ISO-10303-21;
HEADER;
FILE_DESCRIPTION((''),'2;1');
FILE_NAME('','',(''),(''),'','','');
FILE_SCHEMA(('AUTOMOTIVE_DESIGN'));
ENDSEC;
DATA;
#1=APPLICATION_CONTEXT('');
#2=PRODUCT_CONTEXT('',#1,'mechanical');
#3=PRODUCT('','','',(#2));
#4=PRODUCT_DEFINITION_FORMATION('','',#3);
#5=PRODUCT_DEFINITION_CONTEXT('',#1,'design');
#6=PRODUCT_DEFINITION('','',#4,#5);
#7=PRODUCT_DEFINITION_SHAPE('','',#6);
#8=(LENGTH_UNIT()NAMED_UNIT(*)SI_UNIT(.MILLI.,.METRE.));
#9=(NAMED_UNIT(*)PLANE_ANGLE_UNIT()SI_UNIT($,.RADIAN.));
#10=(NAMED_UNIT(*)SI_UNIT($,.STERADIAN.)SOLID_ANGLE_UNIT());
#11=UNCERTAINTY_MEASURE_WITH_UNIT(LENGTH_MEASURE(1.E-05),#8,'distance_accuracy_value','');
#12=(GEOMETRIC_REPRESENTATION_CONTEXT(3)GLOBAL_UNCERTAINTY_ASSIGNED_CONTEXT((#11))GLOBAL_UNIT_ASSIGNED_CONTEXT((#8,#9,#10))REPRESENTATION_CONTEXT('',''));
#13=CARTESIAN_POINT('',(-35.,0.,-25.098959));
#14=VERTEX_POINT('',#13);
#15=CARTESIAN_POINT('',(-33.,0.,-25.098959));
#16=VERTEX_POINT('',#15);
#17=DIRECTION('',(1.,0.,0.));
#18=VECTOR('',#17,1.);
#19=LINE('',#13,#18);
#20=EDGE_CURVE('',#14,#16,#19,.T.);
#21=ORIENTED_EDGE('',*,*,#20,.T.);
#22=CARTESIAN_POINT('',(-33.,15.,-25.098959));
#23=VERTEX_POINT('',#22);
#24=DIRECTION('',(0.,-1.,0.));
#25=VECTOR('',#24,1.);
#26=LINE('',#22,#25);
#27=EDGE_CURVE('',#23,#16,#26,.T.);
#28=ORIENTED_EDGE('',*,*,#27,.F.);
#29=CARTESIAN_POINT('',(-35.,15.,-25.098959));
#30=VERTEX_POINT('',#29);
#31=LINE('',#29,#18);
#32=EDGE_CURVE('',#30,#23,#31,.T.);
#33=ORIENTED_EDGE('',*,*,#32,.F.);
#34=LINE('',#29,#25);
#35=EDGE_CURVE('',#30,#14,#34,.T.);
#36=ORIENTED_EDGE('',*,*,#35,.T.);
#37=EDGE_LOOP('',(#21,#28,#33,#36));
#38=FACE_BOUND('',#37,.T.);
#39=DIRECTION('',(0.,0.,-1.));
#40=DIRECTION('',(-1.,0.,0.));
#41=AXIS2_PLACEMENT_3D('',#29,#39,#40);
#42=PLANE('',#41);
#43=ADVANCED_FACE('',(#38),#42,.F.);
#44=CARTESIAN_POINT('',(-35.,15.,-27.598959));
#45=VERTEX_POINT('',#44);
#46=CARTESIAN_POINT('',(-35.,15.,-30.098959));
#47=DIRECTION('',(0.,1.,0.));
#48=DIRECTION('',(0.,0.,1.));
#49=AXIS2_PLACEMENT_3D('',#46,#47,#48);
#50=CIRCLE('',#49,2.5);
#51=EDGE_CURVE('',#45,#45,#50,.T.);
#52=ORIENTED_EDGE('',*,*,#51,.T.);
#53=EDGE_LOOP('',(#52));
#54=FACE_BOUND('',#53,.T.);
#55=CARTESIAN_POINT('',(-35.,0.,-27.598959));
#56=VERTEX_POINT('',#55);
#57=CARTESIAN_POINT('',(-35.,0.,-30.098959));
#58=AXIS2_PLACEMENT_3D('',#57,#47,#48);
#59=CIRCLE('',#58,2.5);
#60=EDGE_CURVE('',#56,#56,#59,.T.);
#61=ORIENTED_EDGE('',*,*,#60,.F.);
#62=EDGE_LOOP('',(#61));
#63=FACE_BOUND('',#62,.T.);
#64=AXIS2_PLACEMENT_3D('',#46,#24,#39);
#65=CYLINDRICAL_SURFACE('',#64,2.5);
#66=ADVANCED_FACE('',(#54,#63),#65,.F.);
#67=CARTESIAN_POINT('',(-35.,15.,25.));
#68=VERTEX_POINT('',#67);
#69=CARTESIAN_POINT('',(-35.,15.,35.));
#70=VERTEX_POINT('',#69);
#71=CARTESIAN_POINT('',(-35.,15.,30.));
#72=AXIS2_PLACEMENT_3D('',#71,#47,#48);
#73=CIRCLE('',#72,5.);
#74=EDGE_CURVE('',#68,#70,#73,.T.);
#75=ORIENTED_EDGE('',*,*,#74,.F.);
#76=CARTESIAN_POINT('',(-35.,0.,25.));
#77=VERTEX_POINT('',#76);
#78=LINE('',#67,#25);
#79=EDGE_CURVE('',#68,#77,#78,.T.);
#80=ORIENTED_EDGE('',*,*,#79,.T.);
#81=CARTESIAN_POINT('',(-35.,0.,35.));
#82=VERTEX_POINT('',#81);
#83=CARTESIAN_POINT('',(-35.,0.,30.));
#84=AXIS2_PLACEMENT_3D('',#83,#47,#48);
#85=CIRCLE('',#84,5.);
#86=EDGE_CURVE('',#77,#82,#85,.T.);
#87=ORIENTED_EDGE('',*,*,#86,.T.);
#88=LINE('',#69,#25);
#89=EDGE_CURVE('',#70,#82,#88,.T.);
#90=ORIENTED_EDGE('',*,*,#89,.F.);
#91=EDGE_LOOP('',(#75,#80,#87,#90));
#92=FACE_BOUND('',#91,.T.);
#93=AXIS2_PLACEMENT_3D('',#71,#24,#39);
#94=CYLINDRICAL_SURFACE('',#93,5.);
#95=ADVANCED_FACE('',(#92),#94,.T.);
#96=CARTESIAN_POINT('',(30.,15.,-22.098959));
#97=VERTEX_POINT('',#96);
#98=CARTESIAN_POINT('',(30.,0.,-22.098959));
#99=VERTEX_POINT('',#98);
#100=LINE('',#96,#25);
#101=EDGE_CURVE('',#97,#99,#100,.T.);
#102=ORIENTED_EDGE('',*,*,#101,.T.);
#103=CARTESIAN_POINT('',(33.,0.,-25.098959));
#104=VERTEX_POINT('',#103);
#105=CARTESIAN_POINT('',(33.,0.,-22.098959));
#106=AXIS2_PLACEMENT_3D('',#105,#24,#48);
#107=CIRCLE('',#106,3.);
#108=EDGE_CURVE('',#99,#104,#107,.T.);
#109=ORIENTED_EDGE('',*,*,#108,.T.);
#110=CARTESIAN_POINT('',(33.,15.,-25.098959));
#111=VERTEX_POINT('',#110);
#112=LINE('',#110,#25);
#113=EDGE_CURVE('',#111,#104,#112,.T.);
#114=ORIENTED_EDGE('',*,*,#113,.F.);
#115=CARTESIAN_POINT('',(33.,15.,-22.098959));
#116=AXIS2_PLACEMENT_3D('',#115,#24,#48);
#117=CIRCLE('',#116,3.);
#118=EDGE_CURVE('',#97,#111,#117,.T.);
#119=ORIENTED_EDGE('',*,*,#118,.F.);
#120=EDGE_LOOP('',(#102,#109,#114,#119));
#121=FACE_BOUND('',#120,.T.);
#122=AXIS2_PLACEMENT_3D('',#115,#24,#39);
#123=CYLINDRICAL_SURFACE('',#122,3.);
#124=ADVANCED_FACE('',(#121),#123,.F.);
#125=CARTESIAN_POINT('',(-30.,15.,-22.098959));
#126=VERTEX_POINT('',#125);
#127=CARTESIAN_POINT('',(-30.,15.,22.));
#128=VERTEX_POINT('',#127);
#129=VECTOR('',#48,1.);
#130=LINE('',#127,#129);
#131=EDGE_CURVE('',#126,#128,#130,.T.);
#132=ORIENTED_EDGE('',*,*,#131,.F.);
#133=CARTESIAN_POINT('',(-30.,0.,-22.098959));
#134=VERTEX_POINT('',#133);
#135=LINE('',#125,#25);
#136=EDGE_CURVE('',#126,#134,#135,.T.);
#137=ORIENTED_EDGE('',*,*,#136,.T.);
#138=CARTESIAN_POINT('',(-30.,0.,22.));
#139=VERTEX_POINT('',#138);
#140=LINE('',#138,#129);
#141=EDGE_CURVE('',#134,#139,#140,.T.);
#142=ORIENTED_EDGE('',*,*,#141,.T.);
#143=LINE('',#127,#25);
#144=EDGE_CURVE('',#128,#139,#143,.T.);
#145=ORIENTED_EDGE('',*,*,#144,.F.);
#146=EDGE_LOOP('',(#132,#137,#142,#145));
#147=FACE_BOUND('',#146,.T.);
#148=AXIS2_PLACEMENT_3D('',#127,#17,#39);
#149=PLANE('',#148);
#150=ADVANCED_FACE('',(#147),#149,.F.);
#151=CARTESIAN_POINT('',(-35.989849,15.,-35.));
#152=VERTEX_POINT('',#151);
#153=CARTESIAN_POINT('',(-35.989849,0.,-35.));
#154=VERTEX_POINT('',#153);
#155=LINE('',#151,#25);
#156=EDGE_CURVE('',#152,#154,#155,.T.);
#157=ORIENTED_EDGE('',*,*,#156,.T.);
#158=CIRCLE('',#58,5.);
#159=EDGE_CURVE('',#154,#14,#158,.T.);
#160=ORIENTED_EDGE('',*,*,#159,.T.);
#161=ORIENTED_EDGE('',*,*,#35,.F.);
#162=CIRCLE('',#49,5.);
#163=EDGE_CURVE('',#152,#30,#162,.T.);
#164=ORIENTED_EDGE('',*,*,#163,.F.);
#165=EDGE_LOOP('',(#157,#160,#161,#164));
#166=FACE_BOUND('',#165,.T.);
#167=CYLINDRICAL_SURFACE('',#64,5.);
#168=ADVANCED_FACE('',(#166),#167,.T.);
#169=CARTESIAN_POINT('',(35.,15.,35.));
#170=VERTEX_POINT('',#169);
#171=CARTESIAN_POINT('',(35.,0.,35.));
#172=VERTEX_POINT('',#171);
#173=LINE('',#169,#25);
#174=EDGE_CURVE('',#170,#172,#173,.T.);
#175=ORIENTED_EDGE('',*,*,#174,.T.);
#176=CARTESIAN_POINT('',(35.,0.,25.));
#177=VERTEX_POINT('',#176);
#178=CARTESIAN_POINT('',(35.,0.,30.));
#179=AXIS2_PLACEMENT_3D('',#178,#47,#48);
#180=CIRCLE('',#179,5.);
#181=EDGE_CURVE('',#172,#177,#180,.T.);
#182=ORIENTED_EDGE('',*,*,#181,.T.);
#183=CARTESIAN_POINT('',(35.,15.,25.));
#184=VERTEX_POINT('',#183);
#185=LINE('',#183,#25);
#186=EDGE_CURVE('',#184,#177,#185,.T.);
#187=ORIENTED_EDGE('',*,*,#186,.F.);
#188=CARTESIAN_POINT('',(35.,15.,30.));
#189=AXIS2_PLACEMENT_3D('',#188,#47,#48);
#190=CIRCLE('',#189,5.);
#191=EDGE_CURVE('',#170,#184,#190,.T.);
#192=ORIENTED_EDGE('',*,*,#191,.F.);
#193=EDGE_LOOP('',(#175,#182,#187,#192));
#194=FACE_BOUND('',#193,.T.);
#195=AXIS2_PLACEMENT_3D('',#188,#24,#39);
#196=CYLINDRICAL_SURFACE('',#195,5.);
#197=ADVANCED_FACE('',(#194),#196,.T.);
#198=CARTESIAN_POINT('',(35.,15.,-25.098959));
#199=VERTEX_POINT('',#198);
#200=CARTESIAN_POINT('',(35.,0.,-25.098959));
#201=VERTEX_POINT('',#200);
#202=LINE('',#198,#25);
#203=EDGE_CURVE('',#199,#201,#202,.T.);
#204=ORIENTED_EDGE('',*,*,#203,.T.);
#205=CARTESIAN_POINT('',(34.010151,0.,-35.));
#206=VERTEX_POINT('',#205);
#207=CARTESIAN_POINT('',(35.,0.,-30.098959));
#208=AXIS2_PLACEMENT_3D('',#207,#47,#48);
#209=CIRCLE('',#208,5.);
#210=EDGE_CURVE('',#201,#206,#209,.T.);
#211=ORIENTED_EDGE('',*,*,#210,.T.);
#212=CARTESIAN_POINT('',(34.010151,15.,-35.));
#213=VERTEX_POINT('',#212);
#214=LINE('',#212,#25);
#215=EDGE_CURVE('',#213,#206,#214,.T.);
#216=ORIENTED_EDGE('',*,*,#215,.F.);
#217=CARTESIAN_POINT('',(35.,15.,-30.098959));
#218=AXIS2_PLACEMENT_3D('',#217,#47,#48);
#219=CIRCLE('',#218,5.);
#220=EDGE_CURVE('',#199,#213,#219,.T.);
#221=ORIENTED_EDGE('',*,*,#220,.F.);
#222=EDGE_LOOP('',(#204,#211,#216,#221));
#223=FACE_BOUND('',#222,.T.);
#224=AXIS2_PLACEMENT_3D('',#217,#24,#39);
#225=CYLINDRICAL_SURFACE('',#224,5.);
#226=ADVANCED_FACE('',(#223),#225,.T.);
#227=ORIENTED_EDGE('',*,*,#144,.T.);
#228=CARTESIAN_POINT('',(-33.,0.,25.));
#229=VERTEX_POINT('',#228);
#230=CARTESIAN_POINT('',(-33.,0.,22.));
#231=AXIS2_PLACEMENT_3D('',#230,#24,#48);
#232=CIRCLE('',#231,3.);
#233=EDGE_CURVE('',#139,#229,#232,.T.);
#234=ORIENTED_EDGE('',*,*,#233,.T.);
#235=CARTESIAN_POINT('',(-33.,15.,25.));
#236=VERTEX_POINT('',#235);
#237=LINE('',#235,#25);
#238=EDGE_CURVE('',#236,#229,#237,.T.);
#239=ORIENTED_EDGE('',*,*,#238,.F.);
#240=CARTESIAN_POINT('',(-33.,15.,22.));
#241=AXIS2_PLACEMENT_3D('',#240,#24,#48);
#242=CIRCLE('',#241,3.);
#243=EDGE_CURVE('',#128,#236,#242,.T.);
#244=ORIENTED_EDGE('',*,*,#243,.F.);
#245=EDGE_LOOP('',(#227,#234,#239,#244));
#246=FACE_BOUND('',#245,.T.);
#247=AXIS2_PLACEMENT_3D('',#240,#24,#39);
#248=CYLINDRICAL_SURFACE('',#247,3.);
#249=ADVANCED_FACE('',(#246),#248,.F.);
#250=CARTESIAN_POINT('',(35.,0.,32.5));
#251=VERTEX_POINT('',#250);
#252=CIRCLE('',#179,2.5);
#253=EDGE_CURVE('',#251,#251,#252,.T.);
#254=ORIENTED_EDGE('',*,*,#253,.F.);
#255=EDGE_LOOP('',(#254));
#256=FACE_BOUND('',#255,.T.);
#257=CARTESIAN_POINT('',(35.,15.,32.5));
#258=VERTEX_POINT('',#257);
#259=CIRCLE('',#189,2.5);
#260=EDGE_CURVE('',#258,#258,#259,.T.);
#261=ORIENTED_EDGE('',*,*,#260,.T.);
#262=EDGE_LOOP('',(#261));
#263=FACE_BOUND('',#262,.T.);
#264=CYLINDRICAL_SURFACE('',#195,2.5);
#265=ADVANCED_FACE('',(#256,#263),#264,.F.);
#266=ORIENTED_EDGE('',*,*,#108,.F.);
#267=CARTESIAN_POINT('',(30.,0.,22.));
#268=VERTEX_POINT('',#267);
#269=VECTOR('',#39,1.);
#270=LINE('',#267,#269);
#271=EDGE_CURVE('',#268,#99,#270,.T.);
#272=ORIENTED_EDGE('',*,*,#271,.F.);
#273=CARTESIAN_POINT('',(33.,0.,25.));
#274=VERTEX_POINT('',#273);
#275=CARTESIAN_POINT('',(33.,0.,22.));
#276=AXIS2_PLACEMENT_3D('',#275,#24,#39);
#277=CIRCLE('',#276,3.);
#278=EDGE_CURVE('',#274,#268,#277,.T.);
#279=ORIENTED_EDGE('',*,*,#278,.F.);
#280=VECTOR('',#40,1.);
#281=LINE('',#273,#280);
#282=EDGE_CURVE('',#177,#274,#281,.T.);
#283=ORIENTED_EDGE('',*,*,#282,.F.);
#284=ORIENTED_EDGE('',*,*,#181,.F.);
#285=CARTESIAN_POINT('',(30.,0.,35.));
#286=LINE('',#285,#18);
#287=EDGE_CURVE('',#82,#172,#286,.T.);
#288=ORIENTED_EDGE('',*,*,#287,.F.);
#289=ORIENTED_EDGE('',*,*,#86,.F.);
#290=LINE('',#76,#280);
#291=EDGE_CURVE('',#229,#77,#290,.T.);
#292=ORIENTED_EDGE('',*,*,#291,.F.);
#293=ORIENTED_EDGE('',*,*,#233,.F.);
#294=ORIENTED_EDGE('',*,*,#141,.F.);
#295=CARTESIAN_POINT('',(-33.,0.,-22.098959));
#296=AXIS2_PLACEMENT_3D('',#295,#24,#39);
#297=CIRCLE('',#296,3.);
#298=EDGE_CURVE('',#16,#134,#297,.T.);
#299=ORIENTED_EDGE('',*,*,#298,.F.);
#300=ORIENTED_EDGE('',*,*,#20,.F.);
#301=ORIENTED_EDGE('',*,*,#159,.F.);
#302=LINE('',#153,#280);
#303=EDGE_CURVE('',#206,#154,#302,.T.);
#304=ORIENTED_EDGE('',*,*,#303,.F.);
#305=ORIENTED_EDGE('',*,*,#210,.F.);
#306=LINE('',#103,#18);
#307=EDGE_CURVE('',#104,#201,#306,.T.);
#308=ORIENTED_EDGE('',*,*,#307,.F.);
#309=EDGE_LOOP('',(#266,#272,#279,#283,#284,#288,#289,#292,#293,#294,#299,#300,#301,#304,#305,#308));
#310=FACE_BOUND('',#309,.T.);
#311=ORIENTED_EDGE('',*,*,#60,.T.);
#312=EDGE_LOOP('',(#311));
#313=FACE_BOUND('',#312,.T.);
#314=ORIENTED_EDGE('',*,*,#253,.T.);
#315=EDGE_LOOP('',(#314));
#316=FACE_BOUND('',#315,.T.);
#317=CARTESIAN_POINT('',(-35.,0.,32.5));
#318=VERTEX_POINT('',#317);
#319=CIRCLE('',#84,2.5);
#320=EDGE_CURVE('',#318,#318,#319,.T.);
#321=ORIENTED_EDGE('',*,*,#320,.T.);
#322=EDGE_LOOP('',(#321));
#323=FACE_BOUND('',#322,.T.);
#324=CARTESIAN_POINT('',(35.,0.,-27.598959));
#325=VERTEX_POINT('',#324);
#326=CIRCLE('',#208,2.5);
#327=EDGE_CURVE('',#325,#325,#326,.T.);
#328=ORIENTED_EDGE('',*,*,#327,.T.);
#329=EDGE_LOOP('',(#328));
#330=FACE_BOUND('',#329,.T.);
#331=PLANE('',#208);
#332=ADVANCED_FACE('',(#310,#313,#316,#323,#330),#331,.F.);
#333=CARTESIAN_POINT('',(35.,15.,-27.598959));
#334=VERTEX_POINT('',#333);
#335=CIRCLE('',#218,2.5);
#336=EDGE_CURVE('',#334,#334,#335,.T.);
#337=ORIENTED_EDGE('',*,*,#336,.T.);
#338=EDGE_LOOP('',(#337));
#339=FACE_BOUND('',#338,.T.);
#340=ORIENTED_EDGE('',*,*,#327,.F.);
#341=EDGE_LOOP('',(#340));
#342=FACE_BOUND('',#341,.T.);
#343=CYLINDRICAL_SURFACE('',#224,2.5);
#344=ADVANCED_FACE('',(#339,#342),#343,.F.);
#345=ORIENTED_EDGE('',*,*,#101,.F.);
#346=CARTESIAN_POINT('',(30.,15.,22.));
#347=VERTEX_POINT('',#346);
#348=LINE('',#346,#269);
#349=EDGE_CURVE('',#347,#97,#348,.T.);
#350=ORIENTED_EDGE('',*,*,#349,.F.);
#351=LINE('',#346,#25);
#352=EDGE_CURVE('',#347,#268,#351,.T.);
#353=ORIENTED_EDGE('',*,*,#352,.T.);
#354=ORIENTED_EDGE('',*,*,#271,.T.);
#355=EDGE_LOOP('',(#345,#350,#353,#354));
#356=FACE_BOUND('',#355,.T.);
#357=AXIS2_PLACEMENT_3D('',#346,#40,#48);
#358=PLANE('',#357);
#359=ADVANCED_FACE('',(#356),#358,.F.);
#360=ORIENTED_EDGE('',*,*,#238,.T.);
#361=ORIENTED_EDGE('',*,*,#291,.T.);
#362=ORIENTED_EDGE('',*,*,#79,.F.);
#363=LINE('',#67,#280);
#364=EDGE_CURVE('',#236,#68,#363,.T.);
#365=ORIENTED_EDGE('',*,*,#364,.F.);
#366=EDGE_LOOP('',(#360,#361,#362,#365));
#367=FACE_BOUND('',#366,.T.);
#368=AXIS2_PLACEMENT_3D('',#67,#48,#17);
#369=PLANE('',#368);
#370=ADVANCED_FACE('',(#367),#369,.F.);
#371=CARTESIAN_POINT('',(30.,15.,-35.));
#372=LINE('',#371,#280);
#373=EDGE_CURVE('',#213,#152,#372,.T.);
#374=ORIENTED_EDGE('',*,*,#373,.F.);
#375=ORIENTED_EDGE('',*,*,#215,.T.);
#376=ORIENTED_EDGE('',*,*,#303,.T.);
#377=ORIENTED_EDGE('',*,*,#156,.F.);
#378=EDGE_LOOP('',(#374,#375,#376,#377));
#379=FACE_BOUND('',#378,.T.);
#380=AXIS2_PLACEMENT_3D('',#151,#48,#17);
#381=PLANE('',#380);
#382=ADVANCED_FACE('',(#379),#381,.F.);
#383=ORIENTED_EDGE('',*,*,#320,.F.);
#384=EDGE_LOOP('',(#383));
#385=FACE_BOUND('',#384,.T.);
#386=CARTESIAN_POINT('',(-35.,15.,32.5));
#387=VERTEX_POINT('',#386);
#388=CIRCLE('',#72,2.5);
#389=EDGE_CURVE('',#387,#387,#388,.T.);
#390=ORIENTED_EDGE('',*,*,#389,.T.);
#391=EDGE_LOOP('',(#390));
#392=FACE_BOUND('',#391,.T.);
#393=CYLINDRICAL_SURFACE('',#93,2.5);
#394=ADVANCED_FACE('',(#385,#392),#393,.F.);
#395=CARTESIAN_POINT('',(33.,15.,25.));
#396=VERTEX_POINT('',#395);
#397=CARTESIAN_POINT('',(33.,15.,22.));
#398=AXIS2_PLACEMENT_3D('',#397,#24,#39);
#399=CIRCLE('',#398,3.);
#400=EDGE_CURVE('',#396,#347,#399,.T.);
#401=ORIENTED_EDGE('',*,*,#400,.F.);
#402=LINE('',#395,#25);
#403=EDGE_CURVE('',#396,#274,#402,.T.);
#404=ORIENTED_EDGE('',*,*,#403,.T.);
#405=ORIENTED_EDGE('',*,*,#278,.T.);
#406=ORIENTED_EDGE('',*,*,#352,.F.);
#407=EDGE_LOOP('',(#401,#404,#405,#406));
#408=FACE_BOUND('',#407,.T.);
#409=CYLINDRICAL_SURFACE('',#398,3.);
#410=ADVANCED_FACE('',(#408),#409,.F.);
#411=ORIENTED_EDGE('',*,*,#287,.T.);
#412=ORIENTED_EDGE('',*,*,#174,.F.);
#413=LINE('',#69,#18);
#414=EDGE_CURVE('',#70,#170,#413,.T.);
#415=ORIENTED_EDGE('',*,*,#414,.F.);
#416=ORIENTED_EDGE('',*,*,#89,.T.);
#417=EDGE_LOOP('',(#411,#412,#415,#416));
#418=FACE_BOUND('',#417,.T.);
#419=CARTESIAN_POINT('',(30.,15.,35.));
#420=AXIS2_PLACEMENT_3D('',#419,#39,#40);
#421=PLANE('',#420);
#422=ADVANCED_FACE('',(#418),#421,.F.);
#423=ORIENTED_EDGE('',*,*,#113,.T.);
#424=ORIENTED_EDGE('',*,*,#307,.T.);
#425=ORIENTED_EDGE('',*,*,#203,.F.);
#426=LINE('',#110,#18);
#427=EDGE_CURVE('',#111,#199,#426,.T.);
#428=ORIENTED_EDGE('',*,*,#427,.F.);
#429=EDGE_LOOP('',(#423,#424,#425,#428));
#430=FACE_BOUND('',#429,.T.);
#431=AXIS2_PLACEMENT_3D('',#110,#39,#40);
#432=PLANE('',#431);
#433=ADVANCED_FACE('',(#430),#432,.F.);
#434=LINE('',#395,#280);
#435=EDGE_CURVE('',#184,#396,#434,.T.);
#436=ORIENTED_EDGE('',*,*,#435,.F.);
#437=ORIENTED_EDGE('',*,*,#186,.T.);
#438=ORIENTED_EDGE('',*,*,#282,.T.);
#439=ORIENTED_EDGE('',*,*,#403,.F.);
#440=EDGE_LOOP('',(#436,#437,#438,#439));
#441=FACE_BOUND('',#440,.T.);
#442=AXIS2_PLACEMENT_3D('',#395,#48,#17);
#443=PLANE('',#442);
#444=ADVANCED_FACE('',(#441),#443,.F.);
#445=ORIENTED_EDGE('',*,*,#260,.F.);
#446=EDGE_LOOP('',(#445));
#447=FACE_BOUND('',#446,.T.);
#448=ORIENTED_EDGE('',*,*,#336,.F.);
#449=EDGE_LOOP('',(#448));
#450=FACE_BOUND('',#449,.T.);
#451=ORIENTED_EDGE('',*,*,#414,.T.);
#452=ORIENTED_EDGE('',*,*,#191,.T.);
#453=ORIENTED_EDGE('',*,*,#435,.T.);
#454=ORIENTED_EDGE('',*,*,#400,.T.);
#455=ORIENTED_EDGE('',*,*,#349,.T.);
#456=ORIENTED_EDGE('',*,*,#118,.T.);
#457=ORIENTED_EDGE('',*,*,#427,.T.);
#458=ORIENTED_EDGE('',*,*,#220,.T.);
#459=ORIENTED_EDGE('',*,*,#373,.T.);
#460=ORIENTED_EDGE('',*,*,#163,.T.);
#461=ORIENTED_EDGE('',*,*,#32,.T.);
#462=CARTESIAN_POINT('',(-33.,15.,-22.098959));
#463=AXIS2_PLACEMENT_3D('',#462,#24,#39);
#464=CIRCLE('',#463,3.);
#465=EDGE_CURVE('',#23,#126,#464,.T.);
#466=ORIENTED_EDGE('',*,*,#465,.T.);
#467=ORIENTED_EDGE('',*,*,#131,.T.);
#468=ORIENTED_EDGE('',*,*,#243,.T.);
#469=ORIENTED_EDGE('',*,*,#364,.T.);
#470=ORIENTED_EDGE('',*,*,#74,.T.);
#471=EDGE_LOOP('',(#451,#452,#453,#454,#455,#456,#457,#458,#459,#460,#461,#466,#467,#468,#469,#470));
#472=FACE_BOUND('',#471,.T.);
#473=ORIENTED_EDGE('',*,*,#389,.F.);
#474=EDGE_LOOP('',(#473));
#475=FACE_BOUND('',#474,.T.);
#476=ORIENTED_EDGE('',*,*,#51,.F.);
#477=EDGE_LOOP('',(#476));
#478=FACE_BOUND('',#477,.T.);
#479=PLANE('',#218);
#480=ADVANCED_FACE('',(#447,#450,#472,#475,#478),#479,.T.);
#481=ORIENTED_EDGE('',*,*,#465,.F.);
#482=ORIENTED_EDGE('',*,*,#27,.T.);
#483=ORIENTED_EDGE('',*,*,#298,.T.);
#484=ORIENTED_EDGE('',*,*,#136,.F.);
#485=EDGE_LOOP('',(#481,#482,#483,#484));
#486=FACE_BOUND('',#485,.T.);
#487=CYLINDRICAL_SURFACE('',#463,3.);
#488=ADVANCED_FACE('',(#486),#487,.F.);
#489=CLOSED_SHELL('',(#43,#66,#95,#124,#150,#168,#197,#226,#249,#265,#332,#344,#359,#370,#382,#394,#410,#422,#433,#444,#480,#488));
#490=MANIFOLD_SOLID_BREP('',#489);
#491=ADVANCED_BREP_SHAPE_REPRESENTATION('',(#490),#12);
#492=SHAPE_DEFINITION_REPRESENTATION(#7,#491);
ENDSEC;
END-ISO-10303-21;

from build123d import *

# Parameters (mm, degrees)
SKETCH1_R           = 2.5
BOSS_EXTRUDE1_DEPTH = 15


with BuildPart() as part:
    # Sketch1 → Boss-Extrude1 (new body)
    with BuildSketch(Plane(origin=(0, 0, 0), x_dir=(1, 0, 0), z_dir=(0, 1, 0))):
        with BuildLine():
            Line((-30, -35), (30, -35))
            Line((30, -35), (35, -35))
            ThreePointArc((35, -35), (40, -30), (35, -25))
            Line((35, -25), (33, -25))
            ThreePointArc((33, -25), (30.878679656, -24.121320344), (30, -22))
            Line((30, -22), (30, 22.098959323))
            ThreePointArc((30, 22.098959323), (30.878679656, 24.220279667), (33, 25.098959323))
            Line((33, 25.098959323), (35, 25.098959323))
            ThreePointArc((35, 25.098959323), (39.975198659, 30.596350827), (34.010151382, 35))
            Line((34.010151382, 35), (30, 35))
            Line((30, 35), (-30, 35))
            Line((-30, 35), (-35.989848618, 35))
            ThreePointArc((-35.989848618, 35), (-39.975198659, 29.601567819), (-35, 25.098959323))
            Line((-35, 25.098959323), (-33, 25.098959323))
            ThreePointArc((-33, 25.098959323), (-30.878679656, 24.220279667), (-30, 22.098959323))
            Line((-30, 22.098959323), (-30, -22))
            ThreePointArc((-30, -22), (-30.878679656, -24.121320344), (-33, -25))
            Line((-33, -25), (-35, -25))
            ThreePointArc((-35, -25), (-40, -30), (-35, -35))
            Line((-35, -35), (-30, -35))
        make_face()
        with Locations(Location((-35, 30.098959323, 0), (0, 0, 270))):
            Circle(SKETCH1_R, mode=Mode.SUBTRACT)
        with Locations(Location((35, 30.098959323, 0), (0, 0, 270))):
            Circle(SKETCH1_R, mode=Mode.SUBTRACT)
        with Locations(Location((35, -30, 0), (0, 0, 270))):
            Circle(SKETCH1_R, mode=Mode.SUBTRACT)
        with Locations(Location((-35, -30, 0), (0, 0, 270))):
            Circle(SKETCH1_R, mode=Mode.SUBTRACT)
    extrude(amount=BOSS_EXTRUDE1_DEPTH)


solid = part.part
